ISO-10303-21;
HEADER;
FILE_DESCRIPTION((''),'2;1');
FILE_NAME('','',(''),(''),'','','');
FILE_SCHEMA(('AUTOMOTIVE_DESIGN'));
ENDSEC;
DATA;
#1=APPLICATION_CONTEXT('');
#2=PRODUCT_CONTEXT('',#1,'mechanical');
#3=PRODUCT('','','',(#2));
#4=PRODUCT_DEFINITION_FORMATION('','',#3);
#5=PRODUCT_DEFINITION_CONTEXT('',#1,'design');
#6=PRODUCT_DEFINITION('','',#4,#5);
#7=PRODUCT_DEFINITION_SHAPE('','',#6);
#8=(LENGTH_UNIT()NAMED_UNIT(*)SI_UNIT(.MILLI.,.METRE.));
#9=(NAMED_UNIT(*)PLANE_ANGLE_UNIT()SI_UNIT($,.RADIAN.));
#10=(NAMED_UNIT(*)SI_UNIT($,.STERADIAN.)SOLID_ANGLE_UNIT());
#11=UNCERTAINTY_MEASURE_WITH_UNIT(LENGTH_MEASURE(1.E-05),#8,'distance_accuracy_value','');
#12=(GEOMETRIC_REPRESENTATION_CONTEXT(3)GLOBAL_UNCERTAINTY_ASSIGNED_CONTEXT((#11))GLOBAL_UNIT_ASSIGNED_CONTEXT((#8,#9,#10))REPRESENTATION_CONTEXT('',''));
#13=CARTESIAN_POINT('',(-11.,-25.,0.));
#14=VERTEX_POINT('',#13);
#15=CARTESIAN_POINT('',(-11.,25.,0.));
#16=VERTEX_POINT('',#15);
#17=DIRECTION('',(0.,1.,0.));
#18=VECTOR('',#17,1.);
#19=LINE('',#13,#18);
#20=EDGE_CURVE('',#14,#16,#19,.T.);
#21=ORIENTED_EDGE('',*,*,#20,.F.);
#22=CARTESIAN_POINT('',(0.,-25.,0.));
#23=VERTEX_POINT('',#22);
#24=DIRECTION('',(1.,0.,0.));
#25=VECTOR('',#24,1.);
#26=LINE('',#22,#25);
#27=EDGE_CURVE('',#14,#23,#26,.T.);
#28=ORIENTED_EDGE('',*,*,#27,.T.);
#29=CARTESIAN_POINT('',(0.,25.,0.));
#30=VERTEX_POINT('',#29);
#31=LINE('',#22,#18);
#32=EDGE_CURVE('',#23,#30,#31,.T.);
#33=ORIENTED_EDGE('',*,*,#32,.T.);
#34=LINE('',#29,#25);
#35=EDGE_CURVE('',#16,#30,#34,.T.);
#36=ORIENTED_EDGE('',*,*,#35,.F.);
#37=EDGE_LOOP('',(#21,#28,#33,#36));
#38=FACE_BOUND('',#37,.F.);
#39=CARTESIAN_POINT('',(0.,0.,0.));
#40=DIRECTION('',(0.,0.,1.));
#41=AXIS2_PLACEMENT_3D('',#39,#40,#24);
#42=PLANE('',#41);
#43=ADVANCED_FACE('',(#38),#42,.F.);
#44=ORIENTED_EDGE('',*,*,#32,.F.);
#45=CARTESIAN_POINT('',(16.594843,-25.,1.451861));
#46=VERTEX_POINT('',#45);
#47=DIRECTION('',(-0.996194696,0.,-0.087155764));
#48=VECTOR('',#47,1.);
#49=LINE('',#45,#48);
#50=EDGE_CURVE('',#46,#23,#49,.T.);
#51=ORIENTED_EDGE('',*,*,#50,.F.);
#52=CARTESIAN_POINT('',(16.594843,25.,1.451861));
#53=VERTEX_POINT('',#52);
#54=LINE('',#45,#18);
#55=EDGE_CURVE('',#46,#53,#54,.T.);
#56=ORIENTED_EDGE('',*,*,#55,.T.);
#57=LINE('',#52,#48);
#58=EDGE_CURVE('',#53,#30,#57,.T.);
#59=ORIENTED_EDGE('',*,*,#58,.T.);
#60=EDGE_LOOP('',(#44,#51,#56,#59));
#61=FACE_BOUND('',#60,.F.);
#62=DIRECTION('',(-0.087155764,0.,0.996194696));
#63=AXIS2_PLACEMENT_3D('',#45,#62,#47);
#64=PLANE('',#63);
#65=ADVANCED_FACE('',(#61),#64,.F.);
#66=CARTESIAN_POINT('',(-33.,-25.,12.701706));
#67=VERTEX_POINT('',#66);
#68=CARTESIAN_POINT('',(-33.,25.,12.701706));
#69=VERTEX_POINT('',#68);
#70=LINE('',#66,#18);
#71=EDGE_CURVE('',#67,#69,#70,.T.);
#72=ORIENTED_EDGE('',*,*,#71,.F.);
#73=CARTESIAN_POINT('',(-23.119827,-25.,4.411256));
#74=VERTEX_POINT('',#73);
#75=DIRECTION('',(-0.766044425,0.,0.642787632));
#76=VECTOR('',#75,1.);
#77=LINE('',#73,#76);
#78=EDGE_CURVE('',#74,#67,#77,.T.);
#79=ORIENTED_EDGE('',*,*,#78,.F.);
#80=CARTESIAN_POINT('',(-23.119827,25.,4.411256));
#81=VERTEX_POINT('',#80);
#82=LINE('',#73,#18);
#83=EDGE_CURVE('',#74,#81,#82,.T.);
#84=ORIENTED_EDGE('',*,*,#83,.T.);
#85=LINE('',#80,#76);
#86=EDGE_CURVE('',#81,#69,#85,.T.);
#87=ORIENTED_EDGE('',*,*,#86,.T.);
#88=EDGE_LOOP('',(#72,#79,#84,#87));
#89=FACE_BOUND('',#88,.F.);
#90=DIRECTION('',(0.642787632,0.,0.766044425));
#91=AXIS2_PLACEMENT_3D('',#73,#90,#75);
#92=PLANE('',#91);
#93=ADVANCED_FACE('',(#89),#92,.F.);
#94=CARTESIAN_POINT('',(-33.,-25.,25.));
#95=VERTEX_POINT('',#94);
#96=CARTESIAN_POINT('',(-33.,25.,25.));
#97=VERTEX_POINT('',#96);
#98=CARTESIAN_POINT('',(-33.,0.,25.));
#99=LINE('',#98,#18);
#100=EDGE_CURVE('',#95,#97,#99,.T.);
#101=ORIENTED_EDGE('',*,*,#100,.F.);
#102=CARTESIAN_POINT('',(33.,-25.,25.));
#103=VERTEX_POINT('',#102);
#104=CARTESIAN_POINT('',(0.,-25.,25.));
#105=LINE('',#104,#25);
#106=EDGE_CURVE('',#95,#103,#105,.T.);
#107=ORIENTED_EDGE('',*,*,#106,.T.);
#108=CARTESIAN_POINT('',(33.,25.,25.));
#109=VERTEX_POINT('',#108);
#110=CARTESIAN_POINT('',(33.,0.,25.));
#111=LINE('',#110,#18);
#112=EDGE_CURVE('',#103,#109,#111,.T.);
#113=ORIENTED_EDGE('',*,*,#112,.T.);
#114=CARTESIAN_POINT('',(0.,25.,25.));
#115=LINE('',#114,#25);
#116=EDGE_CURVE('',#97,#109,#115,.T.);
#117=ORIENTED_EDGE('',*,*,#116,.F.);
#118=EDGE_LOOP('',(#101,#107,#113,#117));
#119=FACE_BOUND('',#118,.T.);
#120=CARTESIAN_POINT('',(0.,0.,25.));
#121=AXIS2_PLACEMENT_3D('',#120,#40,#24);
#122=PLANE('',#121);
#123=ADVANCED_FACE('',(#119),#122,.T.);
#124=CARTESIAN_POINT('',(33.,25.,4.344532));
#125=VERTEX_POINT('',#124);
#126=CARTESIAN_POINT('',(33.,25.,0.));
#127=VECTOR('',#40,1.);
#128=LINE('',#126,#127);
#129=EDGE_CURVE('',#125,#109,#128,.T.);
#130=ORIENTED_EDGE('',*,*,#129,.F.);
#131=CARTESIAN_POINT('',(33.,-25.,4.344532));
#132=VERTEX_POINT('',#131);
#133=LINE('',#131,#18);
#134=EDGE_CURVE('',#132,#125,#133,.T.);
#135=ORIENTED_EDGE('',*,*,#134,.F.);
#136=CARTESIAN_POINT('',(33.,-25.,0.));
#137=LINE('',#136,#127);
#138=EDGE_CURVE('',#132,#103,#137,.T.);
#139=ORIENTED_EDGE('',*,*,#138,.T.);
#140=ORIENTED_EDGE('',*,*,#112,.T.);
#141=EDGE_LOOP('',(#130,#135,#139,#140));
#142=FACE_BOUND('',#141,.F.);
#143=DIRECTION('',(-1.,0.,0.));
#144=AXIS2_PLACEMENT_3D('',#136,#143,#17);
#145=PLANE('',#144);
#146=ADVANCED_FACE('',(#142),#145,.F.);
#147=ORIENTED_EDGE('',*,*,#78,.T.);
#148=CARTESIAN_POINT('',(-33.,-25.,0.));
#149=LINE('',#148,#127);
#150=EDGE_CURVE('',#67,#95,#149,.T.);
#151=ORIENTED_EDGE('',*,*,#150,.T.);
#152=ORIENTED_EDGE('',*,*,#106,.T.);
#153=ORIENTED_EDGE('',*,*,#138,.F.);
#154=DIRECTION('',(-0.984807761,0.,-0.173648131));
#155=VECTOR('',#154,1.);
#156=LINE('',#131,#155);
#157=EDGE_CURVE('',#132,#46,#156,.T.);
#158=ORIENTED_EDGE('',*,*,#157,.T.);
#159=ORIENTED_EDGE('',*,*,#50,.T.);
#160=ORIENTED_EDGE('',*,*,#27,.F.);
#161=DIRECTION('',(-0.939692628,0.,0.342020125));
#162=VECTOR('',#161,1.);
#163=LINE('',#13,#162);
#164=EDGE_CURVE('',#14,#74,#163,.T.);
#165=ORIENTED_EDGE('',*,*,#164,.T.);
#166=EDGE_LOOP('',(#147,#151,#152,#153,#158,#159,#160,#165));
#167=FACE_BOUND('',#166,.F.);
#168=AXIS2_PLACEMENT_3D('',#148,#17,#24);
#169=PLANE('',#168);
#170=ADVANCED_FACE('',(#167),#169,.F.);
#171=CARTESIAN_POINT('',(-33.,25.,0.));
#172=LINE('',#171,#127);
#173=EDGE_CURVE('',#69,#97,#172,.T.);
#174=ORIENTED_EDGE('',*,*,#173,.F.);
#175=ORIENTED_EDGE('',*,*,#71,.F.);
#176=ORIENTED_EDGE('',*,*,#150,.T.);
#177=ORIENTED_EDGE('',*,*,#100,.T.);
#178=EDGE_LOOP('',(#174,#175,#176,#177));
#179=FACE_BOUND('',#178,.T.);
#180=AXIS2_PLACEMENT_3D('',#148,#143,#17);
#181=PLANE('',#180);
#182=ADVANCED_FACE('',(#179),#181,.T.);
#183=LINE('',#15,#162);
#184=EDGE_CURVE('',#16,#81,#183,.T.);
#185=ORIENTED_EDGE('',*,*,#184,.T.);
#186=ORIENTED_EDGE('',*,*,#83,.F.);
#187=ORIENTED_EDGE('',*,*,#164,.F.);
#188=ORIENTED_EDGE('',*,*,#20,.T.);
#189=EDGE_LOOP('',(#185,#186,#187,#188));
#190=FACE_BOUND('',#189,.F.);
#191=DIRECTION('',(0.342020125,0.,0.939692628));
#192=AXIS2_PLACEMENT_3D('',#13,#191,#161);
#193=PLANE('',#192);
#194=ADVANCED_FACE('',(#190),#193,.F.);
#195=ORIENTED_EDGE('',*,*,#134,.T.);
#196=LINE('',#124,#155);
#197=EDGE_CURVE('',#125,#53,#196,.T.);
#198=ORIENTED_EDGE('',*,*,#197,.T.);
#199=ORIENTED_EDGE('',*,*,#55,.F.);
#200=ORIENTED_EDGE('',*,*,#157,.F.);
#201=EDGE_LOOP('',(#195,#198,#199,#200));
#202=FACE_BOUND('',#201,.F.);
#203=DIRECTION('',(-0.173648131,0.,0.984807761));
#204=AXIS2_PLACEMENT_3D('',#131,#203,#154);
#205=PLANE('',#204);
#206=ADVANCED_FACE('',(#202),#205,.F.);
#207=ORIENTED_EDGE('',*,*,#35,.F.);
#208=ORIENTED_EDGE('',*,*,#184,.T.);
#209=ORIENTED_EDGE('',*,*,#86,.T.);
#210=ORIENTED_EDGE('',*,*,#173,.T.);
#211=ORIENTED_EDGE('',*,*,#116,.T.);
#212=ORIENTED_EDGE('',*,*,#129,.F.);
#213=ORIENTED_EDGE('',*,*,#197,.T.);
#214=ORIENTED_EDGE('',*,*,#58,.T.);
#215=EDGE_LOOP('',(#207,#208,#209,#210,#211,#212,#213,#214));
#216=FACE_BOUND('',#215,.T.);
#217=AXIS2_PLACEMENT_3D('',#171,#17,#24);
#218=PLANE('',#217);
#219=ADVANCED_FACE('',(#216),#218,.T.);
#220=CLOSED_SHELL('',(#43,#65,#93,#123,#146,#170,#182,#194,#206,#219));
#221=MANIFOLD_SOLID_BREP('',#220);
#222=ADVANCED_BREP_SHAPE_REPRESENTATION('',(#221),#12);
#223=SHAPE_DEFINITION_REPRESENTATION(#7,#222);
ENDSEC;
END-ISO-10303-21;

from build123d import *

# Parameters (mm, degrees)
F0_W     = 66
F0_H     = 50
F1_DEPTH = 25
F3_DEPTH = 50


with BuildPart() as f1:
    # F0 (on Top) → F1 (new body)
    with BuildSketch(Plane.XY):
        Rectangle(F0_W, F0_H)
    extrude(amount=F1_DEPTH)

    # F2 (on face) → F3 (cut)
    with BuildSketch(Plane.XZ.offset(25)):
        Polygon((-33, 0), (-11, 0), (-23.119827, 4.411256), (-33, 12.701706), align=None)
        Polygon((16.594843, 1.451861), (0, 0), (33, 0), (33, 4.344532), align=None)
    extrude(amount=-F3_DEPTH, mode=Mode.SUBTRACT)


solid = f1.part
